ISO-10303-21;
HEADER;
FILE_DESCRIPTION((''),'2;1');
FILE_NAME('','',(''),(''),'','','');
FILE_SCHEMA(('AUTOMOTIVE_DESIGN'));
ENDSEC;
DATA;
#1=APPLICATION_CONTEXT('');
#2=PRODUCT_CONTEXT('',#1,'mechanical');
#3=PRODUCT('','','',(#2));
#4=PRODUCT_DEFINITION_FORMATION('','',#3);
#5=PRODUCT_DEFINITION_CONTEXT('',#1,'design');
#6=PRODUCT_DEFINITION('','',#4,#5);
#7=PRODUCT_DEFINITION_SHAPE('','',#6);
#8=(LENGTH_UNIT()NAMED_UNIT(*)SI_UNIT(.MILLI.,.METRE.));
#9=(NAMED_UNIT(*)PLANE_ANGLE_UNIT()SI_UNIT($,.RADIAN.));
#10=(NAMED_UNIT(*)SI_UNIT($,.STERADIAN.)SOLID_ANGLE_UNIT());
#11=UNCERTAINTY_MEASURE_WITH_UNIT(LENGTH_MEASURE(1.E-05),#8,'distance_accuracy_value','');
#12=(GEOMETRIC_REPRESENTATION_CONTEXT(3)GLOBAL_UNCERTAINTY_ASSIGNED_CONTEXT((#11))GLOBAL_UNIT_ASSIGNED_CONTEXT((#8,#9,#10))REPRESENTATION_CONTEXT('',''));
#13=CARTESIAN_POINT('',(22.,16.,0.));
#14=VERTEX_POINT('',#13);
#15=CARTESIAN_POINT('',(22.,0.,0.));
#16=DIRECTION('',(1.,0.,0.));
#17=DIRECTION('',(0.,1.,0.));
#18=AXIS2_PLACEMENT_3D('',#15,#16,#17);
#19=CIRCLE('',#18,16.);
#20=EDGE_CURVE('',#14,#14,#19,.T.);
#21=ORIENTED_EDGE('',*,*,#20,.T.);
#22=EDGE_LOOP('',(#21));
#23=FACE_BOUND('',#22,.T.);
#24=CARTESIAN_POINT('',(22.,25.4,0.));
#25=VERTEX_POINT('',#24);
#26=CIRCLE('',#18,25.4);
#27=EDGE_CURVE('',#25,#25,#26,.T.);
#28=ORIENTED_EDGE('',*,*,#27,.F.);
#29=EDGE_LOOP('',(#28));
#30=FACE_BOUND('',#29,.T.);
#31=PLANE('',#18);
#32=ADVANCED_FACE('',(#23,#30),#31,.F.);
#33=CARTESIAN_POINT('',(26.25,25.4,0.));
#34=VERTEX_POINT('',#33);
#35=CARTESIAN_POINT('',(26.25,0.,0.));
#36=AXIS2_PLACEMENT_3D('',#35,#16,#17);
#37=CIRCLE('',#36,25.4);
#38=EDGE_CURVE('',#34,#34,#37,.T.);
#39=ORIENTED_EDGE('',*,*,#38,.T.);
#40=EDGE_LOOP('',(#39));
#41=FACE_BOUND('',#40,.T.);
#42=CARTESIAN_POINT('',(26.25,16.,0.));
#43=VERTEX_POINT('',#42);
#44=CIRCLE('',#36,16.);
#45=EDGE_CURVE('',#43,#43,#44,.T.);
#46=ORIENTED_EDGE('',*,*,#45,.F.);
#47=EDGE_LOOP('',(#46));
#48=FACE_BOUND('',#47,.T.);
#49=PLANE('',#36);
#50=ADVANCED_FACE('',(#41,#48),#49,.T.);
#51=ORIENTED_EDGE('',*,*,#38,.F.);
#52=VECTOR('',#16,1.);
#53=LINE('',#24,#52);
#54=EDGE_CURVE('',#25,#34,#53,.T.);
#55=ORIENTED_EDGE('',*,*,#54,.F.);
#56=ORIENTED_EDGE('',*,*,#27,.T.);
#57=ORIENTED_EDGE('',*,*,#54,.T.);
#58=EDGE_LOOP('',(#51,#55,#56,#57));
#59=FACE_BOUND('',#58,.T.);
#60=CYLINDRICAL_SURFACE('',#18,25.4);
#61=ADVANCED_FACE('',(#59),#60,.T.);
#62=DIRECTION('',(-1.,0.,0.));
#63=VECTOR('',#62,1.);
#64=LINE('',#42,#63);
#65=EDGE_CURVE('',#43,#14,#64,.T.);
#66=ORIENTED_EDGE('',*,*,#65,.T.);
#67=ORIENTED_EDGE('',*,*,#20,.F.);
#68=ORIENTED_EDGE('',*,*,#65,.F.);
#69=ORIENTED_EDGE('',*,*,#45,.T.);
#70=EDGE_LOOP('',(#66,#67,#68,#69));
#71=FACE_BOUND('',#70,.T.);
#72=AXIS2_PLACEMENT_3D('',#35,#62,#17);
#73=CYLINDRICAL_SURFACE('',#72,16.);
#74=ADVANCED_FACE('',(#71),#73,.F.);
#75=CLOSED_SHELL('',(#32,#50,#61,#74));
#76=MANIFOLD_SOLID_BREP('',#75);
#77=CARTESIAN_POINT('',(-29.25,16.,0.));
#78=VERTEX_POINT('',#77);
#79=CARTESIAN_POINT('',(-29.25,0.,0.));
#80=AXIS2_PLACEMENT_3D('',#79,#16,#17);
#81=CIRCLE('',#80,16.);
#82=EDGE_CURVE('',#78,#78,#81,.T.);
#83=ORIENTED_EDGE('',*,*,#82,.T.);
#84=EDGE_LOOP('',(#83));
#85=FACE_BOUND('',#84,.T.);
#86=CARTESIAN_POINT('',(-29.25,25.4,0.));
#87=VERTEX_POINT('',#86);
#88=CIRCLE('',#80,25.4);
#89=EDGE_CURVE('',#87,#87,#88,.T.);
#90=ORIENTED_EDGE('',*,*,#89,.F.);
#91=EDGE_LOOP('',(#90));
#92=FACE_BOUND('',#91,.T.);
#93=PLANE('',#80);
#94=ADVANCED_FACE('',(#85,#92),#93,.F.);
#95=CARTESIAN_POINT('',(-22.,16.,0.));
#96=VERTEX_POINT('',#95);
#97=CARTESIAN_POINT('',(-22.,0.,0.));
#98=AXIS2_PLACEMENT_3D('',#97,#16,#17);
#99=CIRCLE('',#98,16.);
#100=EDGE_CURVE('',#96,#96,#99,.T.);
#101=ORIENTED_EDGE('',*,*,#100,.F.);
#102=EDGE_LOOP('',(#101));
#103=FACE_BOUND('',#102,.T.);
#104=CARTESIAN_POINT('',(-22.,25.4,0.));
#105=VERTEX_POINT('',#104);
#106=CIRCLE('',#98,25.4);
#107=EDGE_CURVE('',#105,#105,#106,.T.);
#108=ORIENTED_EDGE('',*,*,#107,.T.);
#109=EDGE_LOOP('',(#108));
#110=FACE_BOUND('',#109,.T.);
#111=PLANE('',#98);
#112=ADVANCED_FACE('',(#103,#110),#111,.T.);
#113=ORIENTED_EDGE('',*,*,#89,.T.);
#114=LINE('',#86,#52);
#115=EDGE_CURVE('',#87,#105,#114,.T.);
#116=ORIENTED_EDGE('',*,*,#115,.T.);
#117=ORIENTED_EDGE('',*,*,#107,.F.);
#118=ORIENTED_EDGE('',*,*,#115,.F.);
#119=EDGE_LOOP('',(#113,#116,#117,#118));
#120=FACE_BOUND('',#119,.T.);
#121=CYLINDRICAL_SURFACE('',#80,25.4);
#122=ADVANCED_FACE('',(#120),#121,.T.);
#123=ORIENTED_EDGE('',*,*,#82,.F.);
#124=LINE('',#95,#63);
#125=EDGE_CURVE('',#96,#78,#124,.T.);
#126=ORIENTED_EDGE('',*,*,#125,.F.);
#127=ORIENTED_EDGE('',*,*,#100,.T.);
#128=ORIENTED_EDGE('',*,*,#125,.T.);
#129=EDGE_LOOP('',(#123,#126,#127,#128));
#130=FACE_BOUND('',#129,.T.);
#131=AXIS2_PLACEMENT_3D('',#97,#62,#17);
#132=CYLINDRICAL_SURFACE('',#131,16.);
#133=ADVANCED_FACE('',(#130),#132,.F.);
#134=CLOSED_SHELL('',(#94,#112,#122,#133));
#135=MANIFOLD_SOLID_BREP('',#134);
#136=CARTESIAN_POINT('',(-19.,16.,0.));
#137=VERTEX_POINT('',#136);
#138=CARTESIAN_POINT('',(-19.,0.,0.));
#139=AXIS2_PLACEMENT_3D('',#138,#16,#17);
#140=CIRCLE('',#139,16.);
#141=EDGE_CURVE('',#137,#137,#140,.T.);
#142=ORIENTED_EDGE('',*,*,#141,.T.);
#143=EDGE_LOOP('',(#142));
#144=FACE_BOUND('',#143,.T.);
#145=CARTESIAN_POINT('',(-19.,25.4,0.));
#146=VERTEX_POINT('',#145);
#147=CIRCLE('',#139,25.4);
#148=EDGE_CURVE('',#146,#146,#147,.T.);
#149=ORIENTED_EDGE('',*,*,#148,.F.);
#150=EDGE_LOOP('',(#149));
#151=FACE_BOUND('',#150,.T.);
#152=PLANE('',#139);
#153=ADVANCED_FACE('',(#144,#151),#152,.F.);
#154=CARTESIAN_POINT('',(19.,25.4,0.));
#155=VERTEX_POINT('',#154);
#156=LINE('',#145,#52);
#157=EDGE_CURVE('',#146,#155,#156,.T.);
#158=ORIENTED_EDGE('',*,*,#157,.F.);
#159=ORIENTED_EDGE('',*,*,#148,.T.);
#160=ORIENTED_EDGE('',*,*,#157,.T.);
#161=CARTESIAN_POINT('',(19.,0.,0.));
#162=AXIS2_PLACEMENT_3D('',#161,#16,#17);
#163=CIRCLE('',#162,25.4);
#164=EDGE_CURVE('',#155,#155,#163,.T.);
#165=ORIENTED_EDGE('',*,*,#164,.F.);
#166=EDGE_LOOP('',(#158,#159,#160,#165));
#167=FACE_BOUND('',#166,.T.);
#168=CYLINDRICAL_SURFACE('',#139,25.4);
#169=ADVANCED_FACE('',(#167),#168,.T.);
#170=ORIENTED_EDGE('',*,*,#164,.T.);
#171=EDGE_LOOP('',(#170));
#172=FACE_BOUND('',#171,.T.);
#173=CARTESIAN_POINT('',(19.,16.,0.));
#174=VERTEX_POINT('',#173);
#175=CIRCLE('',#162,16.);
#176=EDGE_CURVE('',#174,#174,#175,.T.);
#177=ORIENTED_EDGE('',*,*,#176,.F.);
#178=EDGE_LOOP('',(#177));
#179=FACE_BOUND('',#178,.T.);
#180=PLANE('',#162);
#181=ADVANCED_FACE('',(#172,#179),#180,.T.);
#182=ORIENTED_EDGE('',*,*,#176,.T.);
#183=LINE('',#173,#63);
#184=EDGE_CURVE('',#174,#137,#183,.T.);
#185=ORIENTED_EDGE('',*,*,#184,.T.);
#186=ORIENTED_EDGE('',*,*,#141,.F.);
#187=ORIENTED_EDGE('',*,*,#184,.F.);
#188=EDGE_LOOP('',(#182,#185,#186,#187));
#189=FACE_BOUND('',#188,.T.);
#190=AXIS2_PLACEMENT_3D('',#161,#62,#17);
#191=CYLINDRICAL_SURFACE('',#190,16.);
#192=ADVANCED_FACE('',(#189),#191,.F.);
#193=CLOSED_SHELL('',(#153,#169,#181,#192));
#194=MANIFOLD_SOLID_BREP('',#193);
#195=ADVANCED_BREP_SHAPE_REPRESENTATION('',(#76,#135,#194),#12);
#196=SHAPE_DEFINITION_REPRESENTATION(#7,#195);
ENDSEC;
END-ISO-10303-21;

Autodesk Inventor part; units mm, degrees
ref_plane "YZ Plane" through (0, 0, 0) normal (1, 0, 0) x (0, 1, 0)
ref_plane "XZ Plane" through (0, 0, 0) normal (0, 1, 0) x (-1, 0, 0)
ref_plane "XY Plane" through (0, 0, 0) normal (0, 0, 1) x (1, 0, 0)
sketch "Sketch1" plane through (0, 0, 0) normal (0, 0, 1) x (1, 0, 0)
  line L0 (-29.25, 25.4) -> (-22, 25.4)
  line L1 (-22, 25.4) -> (-22, 16)
  line L2 (-22, 16) -> (-29.25, 16)
  line L3 (-29.25, 16) -> (-29.25, 25.4)
  line L4 (-19, 25.4) -> (19, 25.4)
  line L5 (19, 25.4) -> (19, 16)
  line L6 (19, 16) -> (-19, 16)
  line L7 (-19, 16) -> (-19, 25.4)
  line L8 (22, 25.4) -> (26.25, 25.4)
  line L9 (26.25, 25.4) -> (26.25, 16)
  line L10 (26.25, 16) -> (22, 16)
  line L11 (22, 16) -> (22, 25.4)
  line L12 (-29.25, 0) -> (26.25, 0)
  line L13 (0, 16) -> (0, 0) construction
  dimension "d0" = 3
  dimension "d1" = 3
  dimension "d2" = 38
  dimension "d3" = 7.25
  dimension "d4" = 50.8
  dimension "d5" = 32
  dimension "d6" = 26.25
revolve "Revolution1" add sketch "Sketch1" angle 360 about axis through (-29.25, 0, 0) along (1, 0, 0)
equation "\"d1\" = d0"
properties part number "baseSpacers" material "Aluminum 6061"
